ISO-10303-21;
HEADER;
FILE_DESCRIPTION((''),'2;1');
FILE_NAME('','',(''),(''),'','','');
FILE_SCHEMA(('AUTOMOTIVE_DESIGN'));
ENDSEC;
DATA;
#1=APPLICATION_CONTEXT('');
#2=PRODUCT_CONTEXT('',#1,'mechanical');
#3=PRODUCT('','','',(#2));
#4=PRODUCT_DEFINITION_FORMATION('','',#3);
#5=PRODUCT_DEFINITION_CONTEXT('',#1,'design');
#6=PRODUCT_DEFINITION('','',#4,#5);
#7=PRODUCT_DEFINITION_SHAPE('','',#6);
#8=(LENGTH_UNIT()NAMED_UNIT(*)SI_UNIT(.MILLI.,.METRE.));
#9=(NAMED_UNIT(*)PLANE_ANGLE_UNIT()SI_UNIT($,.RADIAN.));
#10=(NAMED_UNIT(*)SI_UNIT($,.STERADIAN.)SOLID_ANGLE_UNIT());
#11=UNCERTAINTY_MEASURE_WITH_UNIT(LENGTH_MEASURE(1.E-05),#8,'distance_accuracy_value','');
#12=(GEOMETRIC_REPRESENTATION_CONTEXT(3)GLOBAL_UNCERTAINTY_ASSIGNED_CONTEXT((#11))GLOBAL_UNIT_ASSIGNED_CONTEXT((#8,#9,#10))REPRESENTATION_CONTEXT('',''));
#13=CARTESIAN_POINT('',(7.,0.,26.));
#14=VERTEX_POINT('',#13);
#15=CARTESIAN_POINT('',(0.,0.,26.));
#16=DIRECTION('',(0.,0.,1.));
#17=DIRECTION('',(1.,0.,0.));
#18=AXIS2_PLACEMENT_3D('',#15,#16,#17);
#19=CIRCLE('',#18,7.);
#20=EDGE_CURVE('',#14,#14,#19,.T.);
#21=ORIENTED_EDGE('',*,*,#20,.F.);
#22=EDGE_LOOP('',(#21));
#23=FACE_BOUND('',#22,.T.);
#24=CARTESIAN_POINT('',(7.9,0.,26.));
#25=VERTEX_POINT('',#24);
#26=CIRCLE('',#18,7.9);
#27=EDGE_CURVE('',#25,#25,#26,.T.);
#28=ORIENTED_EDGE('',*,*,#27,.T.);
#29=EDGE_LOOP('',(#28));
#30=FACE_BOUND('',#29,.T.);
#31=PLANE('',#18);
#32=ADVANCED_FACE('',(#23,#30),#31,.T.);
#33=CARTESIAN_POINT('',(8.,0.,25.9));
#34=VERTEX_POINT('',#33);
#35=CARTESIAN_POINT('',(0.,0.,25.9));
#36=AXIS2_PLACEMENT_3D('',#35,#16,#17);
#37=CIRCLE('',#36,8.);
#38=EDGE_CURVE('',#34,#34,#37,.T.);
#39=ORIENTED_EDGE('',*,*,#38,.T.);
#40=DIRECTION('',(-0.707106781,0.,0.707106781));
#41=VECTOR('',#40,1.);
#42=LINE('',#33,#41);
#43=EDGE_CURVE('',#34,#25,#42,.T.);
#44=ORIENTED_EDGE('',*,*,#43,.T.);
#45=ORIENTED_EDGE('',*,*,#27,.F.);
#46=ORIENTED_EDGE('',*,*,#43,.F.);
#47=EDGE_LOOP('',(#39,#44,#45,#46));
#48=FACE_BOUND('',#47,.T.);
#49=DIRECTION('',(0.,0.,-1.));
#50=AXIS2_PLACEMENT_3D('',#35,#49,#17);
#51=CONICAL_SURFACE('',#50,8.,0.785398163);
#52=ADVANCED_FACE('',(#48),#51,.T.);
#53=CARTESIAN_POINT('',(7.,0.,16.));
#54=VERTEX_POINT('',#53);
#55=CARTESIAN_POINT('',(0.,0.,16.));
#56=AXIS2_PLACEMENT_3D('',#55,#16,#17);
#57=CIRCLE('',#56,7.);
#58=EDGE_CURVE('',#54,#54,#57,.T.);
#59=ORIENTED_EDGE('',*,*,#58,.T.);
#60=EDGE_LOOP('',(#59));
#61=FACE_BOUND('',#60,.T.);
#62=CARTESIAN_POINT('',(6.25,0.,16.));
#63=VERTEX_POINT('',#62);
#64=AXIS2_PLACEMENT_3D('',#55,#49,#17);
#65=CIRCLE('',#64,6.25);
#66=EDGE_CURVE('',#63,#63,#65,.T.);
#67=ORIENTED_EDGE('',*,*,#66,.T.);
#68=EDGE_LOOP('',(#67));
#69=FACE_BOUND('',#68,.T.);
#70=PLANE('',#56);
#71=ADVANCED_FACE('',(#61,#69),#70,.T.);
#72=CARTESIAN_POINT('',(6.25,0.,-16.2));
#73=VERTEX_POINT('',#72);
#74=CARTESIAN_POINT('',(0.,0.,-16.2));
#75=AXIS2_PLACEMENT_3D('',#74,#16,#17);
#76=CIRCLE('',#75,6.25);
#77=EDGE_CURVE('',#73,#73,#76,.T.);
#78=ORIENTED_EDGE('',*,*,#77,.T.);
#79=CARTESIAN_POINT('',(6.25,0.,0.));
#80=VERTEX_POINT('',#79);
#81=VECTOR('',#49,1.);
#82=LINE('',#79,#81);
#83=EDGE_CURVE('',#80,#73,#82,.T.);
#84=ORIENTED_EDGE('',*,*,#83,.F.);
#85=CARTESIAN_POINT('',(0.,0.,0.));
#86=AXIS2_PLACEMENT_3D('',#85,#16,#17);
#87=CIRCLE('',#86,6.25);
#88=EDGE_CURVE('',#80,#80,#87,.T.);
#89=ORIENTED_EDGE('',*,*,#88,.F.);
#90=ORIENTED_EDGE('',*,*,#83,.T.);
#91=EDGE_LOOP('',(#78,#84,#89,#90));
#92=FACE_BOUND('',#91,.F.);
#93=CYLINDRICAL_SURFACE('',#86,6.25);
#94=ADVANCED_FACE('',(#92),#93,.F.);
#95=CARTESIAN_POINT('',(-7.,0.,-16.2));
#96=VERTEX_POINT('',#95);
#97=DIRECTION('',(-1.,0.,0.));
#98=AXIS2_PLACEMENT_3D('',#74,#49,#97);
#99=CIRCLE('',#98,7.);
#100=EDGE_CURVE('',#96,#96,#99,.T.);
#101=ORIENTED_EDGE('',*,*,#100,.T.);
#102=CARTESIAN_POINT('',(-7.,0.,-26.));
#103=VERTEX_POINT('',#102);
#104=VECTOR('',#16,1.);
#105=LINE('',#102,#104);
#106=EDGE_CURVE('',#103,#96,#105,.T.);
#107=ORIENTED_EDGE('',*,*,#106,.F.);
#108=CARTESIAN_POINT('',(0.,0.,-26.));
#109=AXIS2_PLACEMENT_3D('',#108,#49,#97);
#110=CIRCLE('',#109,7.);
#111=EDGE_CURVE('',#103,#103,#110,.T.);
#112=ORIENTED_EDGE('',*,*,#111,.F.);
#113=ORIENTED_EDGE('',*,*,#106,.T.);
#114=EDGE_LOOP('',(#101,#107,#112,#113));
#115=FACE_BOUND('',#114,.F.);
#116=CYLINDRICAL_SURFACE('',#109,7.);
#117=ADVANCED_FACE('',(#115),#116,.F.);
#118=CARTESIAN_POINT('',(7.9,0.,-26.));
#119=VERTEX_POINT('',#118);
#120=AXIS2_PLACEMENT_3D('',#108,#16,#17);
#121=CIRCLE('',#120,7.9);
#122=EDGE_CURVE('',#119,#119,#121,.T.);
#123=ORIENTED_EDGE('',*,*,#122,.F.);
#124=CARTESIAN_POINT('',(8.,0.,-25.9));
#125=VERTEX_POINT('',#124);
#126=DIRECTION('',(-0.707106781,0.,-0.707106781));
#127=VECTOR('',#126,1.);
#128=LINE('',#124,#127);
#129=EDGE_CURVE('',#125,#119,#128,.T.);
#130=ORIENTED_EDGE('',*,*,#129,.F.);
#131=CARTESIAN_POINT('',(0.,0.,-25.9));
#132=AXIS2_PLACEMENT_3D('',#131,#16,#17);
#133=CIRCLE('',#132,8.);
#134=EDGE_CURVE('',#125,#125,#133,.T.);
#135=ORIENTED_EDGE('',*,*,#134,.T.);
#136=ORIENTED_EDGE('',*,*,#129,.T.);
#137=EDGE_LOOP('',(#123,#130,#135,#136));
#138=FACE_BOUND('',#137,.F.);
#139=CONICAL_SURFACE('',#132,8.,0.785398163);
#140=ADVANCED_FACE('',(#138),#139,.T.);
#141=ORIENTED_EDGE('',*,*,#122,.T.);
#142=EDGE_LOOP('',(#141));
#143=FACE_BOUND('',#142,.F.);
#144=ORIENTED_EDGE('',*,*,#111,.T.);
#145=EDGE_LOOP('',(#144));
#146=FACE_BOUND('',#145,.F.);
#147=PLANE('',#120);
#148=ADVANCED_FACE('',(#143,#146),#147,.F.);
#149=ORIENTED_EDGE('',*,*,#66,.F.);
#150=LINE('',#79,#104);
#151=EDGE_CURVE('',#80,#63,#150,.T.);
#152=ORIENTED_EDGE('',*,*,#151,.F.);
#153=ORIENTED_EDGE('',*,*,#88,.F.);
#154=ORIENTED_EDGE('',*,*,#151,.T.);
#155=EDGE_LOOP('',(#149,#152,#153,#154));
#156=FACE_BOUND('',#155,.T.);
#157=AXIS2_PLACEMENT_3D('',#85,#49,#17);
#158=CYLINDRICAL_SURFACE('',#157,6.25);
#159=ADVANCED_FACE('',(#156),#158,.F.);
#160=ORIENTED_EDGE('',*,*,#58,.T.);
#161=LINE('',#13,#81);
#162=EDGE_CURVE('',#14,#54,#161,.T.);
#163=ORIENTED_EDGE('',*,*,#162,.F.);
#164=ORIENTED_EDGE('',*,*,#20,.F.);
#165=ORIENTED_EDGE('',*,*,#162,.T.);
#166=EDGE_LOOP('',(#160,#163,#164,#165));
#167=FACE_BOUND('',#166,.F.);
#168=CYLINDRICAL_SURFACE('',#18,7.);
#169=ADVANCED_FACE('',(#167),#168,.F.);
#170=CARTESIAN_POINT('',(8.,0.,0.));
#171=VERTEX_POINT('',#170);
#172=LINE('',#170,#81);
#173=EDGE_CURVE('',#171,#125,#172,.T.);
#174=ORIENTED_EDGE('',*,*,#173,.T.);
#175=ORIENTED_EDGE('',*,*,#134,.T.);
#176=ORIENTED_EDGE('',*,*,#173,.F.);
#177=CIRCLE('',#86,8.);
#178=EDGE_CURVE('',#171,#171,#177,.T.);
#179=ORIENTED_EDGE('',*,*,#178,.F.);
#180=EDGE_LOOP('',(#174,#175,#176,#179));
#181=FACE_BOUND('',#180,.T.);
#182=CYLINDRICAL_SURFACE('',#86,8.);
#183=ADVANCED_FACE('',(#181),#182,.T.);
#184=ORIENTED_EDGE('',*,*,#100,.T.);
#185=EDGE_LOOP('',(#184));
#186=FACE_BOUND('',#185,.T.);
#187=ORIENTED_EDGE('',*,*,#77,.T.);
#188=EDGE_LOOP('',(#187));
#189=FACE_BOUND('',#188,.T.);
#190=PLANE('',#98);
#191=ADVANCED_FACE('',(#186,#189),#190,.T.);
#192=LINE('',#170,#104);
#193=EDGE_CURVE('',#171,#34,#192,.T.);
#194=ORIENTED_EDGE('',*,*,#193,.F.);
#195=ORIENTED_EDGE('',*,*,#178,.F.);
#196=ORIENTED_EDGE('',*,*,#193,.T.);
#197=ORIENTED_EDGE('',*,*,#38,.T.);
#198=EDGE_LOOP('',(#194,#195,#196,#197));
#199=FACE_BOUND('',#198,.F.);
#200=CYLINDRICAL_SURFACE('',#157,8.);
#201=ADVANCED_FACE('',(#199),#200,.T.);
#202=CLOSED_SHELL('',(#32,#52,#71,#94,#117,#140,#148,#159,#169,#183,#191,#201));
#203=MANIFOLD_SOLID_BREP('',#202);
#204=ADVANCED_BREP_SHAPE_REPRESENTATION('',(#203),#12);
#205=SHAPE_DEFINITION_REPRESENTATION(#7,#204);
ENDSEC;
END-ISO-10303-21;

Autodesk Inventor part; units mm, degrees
ref_plane "YZ Plane" through (0, 0, 0) normal (1, 0, 0) x (0, 1, 0)
ref_plane "XZ Plane" through (0, 0, 0) normal (0, 1, 0) x (-1, 0, 0)
ref_plane "XY Plane" through (0, 0, 0) normal (0, 0, 1) x (1, 0, 0)
sketch "Sketch1" plane through (0, 0, 0) normal (0, 0, 1) x (1, 0, 0)
  circle A0 centre (0, 0) radius 6.25
  circle A1 centre (0, 0) radius 8
  dimension "d0" = 12.5
  dimension "d1" = 16
extrude "Extrusion1" add sketch "Sketch1" along normal mid plane 52
chamfer "Chamfer1" distance 0.1 angle 45 4 edges at (-6.25, 0, 26) (-8, 0, 26) (-6.25, 0, -26) (-8, 0, -26)
sketch "Sketch2" plane through (0, 0, 26) normal (0, 0, 1) x (1, 0, 0)
  point P0 (0, 0)
sketch "Sketch3" plane through (0, 0, 26) normal (0, 0, 1) x (1, 0, 0)
  circle A0 centre (0, 0) radius 7
  dimension "d7" = 14
extrude "Extrusion2" cut sketch "Sketch3" against normal blind 10
sketch "Sketch4" plane through (0, 0, -26) normal (0, 0, -1) x (-1, 0, 0)
  circle A0 centre (0, 0) radius 7
  dimension "d10" = 14
extrude "Extrusion3" cut sketch "Sketch4" against normal blind 9.8
properties part number "Joint1_Hand_Bushing"
